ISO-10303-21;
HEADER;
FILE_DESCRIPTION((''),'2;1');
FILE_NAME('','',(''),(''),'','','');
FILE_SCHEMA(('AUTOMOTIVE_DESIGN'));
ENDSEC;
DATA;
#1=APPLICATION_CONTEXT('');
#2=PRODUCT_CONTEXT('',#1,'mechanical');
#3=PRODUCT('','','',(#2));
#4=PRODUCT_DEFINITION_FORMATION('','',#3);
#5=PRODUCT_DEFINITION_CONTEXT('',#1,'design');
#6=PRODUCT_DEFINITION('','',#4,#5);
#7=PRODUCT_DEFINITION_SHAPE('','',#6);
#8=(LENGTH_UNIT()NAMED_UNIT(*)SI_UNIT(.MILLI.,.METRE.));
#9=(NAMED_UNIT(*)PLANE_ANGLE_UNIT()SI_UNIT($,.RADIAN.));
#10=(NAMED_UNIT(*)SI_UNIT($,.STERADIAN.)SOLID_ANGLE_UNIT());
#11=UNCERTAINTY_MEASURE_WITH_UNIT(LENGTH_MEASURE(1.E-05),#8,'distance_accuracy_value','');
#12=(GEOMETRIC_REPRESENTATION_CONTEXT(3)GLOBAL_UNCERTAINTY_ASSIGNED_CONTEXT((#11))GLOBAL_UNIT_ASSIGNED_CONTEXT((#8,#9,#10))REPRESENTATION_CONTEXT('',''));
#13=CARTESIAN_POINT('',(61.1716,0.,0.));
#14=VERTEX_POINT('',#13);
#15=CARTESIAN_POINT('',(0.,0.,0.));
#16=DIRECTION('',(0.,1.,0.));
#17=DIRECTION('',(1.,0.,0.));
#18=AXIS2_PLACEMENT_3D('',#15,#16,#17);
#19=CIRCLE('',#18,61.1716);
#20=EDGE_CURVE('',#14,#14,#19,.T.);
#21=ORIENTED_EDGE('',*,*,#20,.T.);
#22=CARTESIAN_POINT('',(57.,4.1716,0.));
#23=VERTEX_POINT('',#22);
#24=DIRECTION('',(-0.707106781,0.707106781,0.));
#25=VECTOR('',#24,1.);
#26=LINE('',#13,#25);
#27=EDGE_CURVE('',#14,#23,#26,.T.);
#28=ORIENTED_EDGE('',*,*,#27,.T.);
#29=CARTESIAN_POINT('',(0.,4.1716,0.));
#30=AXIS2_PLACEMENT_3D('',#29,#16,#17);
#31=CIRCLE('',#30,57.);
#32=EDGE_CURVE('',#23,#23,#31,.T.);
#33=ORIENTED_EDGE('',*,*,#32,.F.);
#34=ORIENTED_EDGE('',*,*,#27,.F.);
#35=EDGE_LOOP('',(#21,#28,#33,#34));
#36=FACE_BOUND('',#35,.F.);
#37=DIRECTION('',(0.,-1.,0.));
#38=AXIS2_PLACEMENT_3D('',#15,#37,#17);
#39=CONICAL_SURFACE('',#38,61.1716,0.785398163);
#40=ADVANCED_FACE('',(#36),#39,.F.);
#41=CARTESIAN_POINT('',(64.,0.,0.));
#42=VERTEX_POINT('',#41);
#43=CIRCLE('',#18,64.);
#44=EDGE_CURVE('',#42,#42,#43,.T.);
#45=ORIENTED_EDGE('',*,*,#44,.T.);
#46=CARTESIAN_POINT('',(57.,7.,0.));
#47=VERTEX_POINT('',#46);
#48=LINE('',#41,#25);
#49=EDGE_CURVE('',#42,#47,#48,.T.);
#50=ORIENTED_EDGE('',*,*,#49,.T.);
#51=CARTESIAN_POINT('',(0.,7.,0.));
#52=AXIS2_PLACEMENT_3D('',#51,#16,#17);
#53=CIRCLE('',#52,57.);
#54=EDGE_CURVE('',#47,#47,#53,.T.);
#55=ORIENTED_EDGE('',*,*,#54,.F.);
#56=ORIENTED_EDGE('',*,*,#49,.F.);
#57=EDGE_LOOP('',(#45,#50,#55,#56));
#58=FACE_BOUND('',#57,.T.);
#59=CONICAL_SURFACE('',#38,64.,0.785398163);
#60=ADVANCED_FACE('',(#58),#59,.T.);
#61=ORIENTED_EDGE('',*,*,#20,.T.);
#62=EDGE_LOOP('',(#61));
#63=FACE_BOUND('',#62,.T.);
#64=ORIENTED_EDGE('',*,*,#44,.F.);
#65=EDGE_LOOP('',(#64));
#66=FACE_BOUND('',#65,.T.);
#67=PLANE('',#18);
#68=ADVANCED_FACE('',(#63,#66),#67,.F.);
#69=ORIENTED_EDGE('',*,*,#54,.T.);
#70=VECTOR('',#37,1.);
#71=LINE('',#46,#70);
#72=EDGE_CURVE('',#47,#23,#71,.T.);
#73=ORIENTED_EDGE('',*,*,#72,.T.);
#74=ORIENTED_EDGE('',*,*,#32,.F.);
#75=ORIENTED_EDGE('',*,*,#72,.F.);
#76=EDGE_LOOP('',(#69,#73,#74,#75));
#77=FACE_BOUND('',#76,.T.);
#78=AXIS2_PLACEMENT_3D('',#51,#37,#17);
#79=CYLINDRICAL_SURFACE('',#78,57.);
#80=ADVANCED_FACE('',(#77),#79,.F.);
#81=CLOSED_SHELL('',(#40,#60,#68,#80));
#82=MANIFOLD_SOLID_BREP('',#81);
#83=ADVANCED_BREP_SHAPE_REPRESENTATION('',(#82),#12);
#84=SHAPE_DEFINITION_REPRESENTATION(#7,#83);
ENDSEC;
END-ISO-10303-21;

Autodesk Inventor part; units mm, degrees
ref_plane "YZ Plane" through (0, 0, 0) normal (1, 0, 0) x (0, 1, 0)
ref_plane "XZ Plane" through (0, 0, 0) normal (0, 1, 0) x (-1, 0, 0)
ref_plane "XY Plane" through (0, 0, 0) normal (0, 0, 1) x (1, 0, 0)
sketch "Sketch1" plane through (0, 0, 0) normal (0, 0, 1) x (1, 0, 0)
  line L0 (64, 0) -> (57, 7)
  line L1 (57, 7) -> (57, 0)
  line L2 (57, 0) -> (64, 0)
  line L3 (61.1716, 0) -> (57, 4.1716)
  line L4 (0, 0) -> (0, 13)
  dimension "d0" = 57
  dimension "d1" = 7
  dimension "d2" = 2
  dimension "d3" = 7
  dimension "d4" = 135
revolve "Revolution1" add sketch "Sketch1" angle 360 about axis through (0, 0, 0) along (0, 1, 0) contours L2 L3 L1 L0
equation "\"d3\" = d1"
properties part number "Slant"
